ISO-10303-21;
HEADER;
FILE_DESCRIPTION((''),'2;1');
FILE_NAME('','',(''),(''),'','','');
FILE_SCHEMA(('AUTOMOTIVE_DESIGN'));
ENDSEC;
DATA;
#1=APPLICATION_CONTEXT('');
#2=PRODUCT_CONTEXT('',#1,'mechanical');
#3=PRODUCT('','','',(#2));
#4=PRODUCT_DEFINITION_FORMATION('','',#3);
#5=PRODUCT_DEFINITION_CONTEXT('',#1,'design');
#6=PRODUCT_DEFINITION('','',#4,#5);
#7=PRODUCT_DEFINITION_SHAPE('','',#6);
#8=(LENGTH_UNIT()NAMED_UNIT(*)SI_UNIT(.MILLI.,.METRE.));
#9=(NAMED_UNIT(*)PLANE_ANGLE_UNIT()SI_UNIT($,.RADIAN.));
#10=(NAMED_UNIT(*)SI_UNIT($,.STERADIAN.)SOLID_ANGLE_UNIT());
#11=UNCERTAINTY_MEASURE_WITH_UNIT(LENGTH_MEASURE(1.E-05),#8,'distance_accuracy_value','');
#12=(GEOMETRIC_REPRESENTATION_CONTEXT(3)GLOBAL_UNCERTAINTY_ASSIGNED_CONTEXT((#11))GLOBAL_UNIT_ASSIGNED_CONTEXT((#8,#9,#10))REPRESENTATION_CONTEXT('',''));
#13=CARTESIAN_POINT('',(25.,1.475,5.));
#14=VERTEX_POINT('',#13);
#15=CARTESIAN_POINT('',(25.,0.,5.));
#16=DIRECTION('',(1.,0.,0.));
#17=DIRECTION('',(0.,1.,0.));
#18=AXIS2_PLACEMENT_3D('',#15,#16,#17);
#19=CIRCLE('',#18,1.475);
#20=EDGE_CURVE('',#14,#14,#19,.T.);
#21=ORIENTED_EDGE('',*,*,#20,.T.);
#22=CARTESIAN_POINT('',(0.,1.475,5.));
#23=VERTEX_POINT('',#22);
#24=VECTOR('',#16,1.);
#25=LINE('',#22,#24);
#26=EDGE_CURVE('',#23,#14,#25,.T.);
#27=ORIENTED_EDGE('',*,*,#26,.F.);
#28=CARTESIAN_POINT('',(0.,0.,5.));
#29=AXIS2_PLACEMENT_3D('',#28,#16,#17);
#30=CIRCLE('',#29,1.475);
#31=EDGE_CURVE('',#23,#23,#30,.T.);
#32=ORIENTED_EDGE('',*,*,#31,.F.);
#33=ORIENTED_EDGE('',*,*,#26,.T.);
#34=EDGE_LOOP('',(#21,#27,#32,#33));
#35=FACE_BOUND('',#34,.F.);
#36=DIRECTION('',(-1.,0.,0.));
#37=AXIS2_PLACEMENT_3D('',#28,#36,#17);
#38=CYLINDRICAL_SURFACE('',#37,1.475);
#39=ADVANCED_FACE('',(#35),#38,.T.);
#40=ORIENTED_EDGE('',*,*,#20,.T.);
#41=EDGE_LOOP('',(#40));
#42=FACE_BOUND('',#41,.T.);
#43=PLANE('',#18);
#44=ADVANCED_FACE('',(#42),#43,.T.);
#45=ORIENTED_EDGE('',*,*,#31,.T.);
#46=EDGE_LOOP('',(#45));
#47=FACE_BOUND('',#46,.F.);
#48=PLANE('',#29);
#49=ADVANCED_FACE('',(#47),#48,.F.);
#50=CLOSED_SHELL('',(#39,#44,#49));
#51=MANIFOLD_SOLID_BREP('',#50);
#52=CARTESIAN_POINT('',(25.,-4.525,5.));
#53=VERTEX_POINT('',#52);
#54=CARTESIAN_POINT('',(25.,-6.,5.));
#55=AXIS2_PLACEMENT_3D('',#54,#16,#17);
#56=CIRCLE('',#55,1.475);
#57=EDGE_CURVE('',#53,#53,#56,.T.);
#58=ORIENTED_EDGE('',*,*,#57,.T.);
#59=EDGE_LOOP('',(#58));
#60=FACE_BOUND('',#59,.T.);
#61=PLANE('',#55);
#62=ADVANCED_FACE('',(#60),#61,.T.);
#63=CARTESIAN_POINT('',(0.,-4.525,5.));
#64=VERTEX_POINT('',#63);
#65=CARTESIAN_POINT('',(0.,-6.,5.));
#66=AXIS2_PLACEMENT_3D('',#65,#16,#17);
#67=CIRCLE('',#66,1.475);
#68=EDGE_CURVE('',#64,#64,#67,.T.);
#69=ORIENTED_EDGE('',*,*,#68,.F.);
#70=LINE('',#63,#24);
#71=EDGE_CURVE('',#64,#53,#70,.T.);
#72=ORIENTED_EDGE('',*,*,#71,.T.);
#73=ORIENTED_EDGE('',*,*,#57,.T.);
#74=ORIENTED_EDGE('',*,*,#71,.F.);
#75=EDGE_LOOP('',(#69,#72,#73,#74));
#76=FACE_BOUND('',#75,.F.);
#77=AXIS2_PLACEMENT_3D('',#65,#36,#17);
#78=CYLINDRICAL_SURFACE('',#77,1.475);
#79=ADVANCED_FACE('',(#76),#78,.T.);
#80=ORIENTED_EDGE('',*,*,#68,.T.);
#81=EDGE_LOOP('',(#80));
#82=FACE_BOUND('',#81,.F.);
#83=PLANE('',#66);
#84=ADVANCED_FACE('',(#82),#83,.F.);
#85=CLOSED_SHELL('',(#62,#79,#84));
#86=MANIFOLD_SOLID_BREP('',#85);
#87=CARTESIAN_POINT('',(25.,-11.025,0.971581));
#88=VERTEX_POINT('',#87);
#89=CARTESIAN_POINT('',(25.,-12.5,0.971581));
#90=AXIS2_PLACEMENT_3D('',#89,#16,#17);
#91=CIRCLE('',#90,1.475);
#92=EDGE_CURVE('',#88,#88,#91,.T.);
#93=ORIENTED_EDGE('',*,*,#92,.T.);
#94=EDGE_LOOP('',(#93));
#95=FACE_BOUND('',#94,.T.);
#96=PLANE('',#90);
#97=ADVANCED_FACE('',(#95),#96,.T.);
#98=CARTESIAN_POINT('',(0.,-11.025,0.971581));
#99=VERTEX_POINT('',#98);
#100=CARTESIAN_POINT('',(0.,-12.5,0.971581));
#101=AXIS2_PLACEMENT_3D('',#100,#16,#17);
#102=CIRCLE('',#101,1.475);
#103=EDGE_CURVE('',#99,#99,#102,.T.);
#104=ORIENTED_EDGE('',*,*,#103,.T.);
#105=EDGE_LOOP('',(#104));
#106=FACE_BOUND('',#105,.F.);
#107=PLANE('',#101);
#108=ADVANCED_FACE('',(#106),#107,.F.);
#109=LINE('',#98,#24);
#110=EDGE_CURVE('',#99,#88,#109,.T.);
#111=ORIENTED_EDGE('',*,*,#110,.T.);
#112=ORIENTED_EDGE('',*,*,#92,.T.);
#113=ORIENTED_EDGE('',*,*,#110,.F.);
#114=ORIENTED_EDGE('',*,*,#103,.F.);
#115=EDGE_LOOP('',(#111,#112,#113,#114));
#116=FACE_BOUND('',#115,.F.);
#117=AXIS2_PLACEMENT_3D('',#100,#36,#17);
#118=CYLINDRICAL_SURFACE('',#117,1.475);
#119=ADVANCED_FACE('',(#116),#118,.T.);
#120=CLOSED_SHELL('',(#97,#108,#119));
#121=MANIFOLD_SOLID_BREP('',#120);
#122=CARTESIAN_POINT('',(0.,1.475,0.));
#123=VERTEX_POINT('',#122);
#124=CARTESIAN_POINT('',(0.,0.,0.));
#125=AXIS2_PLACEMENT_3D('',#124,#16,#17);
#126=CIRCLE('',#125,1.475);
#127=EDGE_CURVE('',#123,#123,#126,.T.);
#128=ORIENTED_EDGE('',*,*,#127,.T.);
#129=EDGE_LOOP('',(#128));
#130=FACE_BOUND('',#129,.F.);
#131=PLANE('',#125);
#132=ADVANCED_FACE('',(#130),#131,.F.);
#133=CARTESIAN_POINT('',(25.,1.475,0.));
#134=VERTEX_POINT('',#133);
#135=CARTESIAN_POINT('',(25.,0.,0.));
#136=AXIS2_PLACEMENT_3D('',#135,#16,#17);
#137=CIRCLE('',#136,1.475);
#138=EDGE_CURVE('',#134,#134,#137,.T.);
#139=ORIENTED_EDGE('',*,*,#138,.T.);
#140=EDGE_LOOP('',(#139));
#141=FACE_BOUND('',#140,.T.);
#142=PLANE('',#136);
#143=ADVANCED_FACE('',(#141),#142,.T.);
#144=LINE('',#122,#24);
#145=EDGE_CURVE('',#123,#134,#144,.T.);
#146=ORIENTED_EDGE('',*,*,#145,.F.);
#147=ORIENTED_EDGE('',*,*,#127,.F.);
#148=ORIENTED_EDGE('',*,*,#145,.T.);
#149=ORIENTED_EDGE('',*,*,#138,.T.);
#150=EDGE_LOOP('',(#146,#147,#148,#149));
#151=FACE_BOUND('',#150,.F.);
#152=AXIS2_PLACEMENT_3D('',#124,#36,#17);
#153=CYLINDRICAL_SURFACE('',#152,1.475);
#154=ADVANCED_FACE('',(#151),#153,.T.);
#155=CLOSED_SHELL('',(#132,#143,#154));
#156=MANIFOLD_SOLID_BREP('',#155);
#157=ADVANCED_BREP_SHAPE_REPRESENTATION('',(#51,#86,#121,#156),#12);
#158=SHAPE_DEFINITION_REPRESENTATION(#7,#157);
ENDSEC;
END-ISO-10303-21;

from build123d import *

# Parameters (mm, degrees)
F0_R     = 1.475
F1_DEPTH = 25


with BuildPart() as f1:
    # F0 (on Right) → F1 (new body)
    with BuildSketch(Plane.YZ):
        with Locations((-12.5, 0.971581)):
            Circle(F0_R)
        with Locations((-6, 5)):
            Circle(F0_R)
        with Locations((0, 5)):
            Circle(F0_R)
        Circle(F0_R)
    extrude(amount=F1_DEPTH)


solid = f1.part
